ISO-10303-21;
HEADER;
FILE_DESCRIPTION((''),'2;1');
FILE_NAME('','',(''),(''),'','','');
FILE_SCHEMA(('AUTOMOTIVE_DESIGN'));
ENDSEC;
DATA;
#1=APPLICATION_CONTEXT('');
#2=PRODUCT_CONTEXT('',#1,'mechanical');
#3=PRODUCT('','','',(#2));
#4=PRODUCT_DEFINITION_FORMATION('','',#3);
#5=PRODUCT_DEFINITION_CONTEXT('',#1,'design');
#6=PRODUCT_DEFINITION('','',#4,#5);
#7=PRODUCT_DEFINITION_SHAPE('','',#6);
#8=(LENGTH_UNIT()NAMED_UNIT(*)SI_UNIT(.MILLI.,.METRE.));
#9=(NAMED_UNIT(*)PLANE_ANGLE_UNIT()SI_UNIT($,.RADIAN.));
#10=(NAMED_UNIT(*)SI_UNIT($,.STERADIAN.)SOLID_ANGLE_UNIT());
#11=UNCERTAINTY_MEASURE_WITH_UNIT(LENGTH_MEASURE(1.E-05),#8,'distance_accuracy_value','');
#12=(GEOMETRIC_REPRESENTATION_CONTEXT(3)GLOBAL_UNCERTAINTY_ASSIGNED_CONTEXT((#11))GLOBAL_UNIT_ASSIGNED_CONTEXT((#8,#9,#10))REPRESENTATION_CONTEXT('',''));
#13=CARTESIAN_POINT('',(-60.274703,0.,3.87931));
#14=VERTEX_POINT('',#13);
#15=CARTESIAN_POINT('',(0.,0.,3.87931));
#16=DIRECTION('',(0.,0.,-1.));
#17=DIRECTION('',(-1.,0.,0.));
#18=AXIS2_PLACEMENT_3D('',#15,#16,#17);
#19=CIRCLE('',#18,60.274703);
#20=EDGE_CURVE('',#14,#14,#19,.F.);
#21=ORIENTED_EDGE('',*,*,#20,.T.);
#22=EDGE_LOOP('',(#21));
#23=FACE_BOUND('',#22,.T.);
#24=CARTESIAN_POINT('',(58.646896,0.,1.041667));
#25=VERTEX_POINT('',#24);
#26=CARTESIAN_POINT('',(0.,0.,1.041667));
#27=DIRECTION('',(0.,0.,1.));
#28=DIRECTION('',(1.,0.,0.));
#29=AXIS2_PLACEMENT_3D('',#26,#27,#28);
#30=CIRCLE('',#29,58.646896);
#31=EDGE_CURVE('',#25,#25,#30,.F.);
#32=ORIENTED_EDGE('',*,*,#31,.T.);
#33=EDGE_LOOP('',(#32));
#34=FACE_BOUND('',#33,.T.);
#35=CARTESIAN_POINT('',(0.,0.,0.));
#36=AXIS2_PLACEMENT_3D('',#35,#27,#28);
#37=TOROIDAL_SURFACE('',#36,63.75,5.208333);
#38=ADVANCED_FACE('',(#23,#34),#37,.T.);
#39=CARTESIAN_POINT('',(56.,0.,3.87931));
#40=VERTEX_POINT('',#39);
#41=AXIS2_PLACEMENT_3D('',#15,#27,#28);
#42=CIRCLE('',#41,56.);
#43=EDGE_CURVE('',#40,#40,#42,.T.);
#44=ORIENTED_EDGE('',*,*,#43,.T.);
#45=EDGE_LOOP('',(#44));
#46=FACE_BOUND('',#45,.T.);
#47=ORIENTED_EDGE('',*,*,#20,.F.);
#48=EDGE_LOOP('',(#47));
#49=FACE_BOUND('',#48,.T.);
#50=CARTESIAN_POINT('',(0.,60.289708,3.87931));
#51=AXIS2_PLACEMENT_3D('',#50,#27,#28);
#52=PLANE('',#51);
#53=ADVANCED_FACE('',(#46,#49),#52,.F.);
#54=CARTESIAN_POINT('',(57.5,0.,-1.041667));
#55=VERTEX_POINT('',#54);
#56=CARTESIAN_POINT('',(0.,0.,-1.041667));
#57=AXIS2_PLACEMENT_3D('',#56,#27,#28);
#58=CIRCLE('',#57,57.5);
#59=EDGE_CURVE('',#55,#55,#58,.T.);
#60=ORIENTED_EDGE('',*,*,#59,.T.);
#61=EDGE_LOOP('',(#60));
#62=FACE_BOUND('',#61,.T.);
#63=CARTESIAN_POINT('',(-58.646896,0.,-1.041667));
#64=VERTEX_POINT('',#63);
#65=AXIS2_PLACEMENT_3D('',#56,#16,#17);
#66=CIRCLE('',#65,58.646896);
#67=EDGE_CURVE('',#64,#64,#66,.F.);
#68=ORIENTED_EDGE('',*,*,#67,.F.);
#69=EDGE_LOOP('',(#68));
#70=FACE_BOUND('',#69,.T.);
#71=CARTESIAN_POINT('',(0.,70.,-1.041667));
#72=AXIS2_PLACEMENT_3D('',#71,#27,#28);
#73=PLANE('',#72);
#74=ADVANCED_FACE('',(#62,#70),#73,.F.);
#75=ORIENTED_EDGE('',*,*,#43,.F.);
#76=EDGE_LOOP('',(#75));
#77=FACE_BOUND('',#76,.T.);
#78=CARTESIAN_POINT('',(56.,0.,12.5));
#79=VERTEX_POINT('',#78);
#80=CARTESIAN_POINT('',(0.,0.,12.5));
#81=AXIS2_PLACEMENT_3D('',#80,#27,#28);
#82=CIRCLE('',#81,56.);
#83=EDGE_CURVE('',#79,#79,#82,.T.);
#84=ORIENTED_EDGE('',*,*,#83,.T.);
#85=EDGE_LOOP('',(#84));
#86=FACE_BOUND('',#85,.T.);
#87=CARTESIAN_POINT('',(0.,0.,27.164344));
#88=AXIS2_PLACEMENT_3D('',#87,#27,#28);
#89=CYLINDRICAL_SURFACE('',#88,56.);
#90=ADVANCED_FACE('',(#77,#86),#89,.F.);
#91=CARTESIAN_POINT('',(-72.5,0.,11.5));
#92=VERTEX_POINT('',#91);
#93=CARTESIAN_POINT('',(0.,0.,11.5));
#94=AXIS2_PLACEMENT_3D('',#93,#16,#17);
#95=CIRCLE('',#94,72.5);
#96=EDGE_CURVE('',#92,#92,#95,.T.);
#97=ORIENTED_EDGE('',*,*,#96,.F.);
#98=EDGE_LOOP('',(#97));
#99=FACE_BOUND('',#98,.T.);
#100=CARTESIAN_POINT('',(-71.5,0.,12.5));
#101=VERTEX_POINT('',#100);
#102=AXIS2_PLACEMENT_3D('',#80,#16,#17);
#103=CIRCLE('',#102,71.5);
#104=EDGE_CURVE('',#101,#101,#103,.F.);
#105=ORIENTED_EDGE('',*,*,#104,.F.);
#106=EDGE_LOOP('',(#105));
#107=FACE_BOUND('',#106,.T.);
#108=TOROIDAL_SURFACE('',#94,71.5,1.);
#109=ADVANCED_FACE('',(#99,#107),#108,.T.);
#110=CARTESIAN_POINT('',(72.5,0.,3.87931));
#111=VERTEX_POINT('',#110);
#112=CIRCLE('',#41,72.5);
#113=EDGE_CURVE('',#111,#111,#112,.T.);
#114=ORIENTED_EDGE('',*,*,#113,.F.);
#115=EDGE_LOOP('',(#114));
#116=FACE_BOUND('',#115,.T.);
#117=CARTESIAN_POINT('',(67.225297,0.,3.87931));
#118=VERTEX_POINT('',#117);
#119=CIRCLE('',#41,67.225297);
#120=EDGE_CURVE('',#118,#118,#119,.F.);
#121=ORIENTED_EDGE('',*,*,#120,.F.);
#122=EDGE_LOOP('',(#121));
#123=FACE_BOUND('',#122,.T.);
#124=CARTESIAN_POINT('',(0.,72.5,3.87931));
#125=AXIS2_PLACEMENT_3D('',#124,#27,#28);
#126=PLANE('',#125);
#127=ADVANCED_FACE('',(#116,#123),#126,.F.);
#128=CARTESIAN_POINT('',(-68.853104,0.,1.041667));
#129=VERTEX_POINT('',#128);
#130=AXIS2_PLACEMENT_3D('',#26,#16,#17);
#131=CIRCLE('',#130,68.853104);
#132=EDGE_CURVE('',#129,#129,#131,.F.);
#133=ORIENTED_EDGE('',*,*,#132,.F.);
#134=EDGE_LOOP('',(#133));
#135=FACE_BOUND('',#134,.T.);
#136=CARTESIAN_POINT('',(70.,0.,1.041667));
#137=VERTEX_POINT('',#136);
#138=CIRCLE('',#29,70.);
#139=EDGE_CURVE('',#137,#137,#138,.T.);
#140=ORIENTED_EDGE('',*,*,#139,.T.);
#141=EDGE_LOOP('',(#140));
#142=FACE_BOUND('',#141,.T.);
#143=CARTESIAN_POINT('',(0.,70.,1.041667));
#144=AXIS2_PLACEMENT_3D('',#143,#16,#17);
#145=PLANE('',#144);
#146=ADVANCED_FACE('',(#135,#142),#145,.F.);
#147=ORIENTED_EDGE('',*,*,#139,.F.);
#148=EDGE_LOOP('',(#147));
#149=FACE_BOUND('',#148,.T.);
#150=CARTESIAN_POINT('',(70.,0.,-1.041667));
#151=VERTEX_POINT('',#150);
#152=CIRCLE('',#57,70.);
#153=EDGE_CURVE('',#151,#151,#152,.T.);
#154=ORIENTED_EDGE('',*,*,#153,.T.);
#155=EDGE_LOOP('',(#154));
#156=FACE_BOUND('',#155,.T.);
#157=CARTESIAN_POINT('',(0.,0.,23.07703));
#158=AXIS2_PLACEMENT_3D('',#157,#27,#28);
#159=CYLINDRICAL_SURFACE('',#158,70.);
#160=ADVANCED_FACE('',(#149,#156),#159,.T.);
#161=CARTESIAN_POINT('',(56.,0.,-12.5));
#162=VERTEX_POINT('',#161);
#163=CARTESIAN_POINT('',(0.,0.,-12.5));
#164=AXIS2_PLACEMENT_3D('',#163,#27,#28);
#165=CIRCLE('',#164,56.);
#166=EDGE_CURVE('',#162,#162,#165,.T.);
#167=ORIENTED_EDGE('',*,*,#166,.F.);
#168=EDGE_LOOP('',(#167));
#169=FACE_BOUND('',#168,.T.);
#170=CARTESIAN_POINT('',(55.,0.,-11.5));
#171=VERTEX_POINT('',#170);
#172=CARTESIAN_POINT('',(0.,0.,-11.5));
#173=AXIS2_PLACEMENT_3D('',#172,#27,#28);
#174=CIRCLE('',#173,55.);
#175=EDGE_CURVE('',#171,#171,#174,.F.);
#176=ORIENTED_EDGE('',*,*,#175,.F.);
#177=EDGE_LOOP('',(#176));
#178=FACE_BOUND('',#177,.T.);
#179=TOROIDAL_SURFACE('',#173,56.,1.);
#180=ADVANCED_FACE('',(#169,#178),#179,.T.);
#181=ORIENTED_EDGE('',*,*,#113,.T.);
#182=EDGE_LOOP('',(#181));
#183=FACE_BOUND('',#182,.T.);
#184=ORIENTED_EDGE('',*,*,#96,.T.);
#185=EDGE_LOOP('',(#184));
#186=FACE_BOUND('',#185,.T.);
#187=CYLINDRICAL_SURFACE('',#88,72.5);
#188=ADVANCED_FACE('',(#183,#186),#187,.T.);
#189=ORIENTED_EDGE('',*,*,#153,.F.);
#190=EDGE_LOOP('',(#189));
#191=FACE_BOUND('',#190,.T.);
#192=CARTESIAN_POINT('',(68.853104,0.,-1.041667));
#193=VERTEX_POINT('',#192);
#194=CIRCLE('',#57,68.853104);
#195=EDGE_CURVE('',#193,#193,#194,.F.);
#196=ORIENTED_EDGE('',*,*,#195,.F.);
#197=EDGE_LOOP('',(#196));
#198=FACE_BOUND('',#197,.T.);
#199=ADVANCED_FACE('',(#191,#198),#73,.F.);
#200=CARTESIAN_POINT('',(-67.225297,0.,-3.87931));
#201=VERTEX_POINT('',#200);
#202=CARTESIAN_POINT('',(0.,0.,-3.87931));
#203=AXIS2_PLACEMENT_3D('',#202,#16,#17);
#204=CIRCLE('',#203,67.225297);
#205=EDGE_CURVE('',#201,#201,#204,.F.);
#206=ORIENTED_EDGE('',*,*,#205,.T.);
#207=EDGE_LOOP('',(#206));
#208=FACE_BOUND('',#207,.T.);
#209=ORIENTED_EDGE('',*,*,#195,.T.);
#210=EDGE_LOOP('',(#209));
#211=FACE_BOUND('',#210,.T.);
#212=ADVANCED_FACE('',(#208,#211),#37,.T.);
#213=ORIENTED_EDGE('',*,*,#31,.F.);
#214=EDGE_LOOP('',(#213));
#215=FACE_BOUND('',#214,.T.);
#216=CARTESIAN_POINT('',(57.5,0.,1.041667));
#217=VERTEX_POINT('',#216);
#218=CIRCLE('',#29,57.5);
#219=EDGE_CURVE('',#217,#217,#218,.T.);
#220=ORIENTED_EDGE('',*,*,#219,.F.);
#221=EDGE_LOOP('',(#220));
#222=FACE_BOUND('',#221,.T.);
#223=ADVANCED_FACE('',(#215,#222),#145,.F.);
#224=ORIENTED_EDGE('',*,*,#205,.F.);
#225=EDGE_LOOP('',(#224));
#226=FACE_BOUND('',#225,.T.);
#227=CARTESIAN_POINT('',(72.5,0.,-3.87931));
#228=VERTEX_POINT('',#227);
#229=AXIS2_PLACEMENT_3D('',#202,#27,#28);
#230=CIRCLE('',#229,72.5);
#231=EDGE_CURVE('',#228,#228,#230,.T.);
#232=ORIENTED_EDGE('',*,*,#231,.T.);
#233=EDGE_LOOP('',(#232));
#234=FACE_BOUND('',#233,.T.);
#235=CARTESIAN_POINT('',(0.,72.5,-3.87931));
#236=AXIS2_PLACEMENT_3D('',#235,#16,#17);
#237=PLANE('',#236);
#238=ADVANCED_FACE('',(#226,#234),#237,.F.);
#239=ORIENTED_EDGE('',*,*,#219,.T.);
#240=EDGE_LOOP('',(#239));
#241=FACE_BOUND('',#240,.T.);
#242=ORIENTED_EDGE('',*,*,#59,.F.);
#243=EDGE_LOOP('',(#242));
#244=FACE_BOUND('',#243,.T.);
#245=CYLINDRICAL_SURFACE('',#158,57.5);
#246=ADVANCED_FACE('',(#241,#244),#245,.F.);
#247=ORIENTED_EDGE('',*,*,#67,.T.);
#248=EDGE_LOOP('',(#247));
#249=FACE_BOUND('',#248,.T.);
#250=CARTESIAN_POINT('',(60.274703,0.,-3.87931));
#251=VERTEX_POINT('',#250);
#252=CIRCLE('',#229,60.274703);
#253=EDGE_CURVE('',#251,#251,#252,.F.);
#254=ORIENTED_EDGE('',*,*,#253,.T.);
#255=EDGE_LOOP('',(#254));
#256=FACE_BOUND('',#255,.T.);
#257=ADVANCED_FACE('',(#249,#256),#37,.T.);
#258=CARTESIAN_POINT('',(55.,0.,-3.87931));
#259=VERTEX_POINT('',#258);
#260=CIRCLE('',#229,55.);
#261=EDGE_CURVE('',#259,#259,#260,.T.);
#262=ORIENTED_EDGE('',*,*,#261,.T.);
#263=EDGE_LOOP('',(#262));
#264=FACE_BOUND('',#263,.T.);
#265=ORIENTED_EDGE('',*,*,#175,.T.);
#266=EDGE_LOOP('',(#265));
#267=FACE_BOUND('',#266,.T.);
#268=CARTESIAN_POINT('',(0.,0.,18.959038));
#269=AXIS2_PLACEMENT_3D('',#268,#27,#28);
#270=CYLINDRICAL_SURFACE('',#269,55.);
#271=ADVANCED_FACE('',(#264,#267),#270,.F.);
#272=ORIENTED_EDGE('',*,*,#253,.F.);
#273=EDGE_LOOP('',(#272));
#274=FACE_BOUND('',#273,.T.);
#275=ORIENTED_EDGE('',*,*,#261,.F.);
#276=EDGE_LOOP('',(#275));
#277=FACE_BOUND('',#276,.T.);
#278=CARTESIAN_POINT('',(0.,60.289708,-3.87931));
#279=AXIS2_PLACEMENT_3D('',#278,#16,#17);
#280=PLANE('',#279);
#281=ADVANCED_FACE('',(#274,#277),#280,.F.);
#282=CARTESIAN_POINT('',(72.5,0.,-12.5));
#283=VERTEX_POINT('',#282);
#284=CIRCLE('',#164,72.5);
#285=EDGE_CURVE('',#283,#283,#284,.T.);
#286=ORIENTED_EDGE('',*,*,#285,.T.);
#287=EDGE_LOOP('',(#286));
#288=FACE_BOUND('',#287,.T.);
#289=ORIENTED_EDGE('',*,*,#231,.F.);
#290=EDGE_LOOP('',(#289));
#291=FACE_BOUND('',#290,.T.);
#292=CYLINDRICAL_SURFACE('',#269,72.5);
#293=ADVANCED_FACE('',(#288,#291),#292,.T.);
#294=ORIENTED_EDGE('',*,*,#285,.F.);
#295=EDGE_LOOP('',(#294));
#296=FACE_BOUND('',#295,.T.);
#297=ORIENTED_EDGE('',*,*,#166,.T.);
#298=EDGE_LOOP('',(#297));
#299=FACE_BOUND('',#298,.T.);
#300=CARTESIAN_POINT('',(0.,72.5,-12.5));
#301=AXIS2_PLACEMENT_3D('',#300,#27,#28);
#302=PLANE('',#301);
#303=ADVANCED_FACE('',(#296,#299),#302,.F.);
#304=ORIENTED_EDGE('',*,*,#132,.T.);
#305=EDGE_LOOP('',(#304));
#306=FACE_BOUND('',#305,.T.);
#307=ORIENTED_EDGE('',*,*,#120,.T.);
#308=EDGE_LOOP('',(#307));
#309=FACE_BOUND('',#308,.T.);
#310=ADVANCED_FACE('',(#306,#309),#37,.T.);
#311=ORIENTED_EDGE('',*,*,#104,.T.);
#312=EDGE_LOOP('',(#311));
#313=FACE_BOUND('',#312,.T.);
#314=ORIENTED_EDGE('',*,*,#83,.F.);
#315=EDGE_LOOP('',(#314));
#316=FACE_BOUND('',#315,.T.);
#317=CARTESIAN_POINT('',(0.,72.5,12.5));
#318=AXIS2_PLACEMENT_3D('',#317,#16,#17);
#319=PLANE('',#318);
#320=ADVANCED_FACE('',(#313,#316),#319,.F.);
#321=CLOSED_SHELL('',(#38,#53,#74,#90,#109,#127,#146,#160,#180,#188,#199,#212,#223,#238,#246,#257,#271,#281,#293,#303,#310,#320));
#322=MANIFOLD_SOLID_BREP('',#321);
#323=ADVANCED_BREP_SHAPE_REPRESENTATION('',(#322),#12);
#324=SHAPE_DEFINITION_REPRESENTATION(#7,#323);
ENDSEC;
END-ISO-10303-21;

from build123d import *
from build123d.topology import SkipClean

# Parameters (mm, degrees)
FILLET1_R       = 1
CAGESKE_W       = 2.083334
CAGESKE_H       = 12.5
SIMPLIFIEDSKE_R = 5.208333


with BuildPart() as part:
    # BaseSke → Ball (revolve)
    with BuildSketch(Plane(origin=(0, 0, 0), x_dir=(0, 0, -1), z_dir=(1, 0, 0))):
        with BuildLine():
            Line((0, 68.958333), (0, 58.541667))
            ThreePointArc((0, 58.541667), (-5.208333, 63.75), (0, 68.958333))
        make_face()
    revolve(axis=Axis((0, 68.958333, 0), (0, -1, 0)))

    # InnerRaceSke → InnerRace (revolve)
    with BuildSketch(Plane(origin=(0, 0, 0), x_dir=(0, 0, -1), z_dir=(1, 0, 0)), mode=Mode.PRIVATE) as innerrace_sk:
        with BuildLine():
            Line((3.87931, 60.289708), (3.87931, 55))
            Line((3.87931, 55), (12.5, 55))
            Line((12.5, 55), (12.5, 72.5))
            Line((12.5, 72.5), (3.87931, 72.5))
            Line((3.87931, 72.5), (3.87931, 67.210292))
            ThreePointArc((3.87931, 67.210292), (5.198333, 63.75), (3.87931, 60.289708))
        make_face()
    revolve(innerrace_sk.sketch.rotate(Axis((0, 0, 18.959038), (0, 0, -1)), 90), axis=Axis((0, 0, 18.959038), (0, 0, -1)))

    # OuterRaceSke → OuterRace (revolve)
    with BuildSketch(Plane(origin=(0, 0, 0), x_dir=(0, 0, -1), z_dir=(1, 0, 0)), mode=Mode.PRIVATE) as outerrace_sk:
        with BuildLine():
            Line((-3.87931, 60.289708), (-3.87931, 56))
            Line((-3.87931, 56), (-12.5, 56))
            Line((-12.5, 56), (-12.5, 72.5))
            Line((-12.5, 72.5), (-3.87931, 72.5))
            Line((-3.87931, 72.5), (-3.87931, 67.210292))
            ThreePointArc((-3.87931, 67.210292), (-5.198333, 63.75), (-3.87931, 60.289708))
        make_face()
    revolve(outerrace_sk.sketch.rotate(Axis((0, 0, 27.164344), (0, 0, -1)), 90), axis=Axis((0, 0, 27.164344), (0, 0, -1)))

    # Fillet1
    fillet1_edges = [part.edges().sort_by_distance(p)[0] for p in [
        (-72.5, 0, 12.5),
        (-55, 0, -12.5),
    ]]
    fillet(fillet1_edges, radius=FILLET1_R)

    # CageSke → Cage (revolve)
    with SkipClean():  # the faces are left unmerged after this step: merging them gives an invalid solid
        with BuildSketch(Plane(origin=(0, 0, 0), x_dir=(0, 0, -1), z_dir=(1, 0, 0)), mode=Mode.PRIVATE) as cage_sk:
            with Locations((0, 63.75)):
                Rectangle(CAGESKE_W, CAGESKE_H)
        revolve(cage_sk.sketch.rotate(Axis((0, 0, 23.07703), (0, 0, -1)), 90), axis=Axis((0, 0, 23.07703), (0, 0, -1)))

    # SimplifiedSke → Simplified (revolve)
    with BuildSketch(Plane(origin=(0, 0, 0), x_dir=(0, 0, -1), z_dir=(1, 0, 0)), mode=Mode.PRIVATE) as simplified_sk:
        with Locations((0, 63.75)):
            Circle(SIMPLIFIEDSKE_R)
    revolve(simplified_sk.sketch.rotate(Axis((0, 0, 32.353574), (0, 0, -1)), 90), axis=Axis((0, 0, 32.353574), (0, 0, -1)))


solid = part.part
